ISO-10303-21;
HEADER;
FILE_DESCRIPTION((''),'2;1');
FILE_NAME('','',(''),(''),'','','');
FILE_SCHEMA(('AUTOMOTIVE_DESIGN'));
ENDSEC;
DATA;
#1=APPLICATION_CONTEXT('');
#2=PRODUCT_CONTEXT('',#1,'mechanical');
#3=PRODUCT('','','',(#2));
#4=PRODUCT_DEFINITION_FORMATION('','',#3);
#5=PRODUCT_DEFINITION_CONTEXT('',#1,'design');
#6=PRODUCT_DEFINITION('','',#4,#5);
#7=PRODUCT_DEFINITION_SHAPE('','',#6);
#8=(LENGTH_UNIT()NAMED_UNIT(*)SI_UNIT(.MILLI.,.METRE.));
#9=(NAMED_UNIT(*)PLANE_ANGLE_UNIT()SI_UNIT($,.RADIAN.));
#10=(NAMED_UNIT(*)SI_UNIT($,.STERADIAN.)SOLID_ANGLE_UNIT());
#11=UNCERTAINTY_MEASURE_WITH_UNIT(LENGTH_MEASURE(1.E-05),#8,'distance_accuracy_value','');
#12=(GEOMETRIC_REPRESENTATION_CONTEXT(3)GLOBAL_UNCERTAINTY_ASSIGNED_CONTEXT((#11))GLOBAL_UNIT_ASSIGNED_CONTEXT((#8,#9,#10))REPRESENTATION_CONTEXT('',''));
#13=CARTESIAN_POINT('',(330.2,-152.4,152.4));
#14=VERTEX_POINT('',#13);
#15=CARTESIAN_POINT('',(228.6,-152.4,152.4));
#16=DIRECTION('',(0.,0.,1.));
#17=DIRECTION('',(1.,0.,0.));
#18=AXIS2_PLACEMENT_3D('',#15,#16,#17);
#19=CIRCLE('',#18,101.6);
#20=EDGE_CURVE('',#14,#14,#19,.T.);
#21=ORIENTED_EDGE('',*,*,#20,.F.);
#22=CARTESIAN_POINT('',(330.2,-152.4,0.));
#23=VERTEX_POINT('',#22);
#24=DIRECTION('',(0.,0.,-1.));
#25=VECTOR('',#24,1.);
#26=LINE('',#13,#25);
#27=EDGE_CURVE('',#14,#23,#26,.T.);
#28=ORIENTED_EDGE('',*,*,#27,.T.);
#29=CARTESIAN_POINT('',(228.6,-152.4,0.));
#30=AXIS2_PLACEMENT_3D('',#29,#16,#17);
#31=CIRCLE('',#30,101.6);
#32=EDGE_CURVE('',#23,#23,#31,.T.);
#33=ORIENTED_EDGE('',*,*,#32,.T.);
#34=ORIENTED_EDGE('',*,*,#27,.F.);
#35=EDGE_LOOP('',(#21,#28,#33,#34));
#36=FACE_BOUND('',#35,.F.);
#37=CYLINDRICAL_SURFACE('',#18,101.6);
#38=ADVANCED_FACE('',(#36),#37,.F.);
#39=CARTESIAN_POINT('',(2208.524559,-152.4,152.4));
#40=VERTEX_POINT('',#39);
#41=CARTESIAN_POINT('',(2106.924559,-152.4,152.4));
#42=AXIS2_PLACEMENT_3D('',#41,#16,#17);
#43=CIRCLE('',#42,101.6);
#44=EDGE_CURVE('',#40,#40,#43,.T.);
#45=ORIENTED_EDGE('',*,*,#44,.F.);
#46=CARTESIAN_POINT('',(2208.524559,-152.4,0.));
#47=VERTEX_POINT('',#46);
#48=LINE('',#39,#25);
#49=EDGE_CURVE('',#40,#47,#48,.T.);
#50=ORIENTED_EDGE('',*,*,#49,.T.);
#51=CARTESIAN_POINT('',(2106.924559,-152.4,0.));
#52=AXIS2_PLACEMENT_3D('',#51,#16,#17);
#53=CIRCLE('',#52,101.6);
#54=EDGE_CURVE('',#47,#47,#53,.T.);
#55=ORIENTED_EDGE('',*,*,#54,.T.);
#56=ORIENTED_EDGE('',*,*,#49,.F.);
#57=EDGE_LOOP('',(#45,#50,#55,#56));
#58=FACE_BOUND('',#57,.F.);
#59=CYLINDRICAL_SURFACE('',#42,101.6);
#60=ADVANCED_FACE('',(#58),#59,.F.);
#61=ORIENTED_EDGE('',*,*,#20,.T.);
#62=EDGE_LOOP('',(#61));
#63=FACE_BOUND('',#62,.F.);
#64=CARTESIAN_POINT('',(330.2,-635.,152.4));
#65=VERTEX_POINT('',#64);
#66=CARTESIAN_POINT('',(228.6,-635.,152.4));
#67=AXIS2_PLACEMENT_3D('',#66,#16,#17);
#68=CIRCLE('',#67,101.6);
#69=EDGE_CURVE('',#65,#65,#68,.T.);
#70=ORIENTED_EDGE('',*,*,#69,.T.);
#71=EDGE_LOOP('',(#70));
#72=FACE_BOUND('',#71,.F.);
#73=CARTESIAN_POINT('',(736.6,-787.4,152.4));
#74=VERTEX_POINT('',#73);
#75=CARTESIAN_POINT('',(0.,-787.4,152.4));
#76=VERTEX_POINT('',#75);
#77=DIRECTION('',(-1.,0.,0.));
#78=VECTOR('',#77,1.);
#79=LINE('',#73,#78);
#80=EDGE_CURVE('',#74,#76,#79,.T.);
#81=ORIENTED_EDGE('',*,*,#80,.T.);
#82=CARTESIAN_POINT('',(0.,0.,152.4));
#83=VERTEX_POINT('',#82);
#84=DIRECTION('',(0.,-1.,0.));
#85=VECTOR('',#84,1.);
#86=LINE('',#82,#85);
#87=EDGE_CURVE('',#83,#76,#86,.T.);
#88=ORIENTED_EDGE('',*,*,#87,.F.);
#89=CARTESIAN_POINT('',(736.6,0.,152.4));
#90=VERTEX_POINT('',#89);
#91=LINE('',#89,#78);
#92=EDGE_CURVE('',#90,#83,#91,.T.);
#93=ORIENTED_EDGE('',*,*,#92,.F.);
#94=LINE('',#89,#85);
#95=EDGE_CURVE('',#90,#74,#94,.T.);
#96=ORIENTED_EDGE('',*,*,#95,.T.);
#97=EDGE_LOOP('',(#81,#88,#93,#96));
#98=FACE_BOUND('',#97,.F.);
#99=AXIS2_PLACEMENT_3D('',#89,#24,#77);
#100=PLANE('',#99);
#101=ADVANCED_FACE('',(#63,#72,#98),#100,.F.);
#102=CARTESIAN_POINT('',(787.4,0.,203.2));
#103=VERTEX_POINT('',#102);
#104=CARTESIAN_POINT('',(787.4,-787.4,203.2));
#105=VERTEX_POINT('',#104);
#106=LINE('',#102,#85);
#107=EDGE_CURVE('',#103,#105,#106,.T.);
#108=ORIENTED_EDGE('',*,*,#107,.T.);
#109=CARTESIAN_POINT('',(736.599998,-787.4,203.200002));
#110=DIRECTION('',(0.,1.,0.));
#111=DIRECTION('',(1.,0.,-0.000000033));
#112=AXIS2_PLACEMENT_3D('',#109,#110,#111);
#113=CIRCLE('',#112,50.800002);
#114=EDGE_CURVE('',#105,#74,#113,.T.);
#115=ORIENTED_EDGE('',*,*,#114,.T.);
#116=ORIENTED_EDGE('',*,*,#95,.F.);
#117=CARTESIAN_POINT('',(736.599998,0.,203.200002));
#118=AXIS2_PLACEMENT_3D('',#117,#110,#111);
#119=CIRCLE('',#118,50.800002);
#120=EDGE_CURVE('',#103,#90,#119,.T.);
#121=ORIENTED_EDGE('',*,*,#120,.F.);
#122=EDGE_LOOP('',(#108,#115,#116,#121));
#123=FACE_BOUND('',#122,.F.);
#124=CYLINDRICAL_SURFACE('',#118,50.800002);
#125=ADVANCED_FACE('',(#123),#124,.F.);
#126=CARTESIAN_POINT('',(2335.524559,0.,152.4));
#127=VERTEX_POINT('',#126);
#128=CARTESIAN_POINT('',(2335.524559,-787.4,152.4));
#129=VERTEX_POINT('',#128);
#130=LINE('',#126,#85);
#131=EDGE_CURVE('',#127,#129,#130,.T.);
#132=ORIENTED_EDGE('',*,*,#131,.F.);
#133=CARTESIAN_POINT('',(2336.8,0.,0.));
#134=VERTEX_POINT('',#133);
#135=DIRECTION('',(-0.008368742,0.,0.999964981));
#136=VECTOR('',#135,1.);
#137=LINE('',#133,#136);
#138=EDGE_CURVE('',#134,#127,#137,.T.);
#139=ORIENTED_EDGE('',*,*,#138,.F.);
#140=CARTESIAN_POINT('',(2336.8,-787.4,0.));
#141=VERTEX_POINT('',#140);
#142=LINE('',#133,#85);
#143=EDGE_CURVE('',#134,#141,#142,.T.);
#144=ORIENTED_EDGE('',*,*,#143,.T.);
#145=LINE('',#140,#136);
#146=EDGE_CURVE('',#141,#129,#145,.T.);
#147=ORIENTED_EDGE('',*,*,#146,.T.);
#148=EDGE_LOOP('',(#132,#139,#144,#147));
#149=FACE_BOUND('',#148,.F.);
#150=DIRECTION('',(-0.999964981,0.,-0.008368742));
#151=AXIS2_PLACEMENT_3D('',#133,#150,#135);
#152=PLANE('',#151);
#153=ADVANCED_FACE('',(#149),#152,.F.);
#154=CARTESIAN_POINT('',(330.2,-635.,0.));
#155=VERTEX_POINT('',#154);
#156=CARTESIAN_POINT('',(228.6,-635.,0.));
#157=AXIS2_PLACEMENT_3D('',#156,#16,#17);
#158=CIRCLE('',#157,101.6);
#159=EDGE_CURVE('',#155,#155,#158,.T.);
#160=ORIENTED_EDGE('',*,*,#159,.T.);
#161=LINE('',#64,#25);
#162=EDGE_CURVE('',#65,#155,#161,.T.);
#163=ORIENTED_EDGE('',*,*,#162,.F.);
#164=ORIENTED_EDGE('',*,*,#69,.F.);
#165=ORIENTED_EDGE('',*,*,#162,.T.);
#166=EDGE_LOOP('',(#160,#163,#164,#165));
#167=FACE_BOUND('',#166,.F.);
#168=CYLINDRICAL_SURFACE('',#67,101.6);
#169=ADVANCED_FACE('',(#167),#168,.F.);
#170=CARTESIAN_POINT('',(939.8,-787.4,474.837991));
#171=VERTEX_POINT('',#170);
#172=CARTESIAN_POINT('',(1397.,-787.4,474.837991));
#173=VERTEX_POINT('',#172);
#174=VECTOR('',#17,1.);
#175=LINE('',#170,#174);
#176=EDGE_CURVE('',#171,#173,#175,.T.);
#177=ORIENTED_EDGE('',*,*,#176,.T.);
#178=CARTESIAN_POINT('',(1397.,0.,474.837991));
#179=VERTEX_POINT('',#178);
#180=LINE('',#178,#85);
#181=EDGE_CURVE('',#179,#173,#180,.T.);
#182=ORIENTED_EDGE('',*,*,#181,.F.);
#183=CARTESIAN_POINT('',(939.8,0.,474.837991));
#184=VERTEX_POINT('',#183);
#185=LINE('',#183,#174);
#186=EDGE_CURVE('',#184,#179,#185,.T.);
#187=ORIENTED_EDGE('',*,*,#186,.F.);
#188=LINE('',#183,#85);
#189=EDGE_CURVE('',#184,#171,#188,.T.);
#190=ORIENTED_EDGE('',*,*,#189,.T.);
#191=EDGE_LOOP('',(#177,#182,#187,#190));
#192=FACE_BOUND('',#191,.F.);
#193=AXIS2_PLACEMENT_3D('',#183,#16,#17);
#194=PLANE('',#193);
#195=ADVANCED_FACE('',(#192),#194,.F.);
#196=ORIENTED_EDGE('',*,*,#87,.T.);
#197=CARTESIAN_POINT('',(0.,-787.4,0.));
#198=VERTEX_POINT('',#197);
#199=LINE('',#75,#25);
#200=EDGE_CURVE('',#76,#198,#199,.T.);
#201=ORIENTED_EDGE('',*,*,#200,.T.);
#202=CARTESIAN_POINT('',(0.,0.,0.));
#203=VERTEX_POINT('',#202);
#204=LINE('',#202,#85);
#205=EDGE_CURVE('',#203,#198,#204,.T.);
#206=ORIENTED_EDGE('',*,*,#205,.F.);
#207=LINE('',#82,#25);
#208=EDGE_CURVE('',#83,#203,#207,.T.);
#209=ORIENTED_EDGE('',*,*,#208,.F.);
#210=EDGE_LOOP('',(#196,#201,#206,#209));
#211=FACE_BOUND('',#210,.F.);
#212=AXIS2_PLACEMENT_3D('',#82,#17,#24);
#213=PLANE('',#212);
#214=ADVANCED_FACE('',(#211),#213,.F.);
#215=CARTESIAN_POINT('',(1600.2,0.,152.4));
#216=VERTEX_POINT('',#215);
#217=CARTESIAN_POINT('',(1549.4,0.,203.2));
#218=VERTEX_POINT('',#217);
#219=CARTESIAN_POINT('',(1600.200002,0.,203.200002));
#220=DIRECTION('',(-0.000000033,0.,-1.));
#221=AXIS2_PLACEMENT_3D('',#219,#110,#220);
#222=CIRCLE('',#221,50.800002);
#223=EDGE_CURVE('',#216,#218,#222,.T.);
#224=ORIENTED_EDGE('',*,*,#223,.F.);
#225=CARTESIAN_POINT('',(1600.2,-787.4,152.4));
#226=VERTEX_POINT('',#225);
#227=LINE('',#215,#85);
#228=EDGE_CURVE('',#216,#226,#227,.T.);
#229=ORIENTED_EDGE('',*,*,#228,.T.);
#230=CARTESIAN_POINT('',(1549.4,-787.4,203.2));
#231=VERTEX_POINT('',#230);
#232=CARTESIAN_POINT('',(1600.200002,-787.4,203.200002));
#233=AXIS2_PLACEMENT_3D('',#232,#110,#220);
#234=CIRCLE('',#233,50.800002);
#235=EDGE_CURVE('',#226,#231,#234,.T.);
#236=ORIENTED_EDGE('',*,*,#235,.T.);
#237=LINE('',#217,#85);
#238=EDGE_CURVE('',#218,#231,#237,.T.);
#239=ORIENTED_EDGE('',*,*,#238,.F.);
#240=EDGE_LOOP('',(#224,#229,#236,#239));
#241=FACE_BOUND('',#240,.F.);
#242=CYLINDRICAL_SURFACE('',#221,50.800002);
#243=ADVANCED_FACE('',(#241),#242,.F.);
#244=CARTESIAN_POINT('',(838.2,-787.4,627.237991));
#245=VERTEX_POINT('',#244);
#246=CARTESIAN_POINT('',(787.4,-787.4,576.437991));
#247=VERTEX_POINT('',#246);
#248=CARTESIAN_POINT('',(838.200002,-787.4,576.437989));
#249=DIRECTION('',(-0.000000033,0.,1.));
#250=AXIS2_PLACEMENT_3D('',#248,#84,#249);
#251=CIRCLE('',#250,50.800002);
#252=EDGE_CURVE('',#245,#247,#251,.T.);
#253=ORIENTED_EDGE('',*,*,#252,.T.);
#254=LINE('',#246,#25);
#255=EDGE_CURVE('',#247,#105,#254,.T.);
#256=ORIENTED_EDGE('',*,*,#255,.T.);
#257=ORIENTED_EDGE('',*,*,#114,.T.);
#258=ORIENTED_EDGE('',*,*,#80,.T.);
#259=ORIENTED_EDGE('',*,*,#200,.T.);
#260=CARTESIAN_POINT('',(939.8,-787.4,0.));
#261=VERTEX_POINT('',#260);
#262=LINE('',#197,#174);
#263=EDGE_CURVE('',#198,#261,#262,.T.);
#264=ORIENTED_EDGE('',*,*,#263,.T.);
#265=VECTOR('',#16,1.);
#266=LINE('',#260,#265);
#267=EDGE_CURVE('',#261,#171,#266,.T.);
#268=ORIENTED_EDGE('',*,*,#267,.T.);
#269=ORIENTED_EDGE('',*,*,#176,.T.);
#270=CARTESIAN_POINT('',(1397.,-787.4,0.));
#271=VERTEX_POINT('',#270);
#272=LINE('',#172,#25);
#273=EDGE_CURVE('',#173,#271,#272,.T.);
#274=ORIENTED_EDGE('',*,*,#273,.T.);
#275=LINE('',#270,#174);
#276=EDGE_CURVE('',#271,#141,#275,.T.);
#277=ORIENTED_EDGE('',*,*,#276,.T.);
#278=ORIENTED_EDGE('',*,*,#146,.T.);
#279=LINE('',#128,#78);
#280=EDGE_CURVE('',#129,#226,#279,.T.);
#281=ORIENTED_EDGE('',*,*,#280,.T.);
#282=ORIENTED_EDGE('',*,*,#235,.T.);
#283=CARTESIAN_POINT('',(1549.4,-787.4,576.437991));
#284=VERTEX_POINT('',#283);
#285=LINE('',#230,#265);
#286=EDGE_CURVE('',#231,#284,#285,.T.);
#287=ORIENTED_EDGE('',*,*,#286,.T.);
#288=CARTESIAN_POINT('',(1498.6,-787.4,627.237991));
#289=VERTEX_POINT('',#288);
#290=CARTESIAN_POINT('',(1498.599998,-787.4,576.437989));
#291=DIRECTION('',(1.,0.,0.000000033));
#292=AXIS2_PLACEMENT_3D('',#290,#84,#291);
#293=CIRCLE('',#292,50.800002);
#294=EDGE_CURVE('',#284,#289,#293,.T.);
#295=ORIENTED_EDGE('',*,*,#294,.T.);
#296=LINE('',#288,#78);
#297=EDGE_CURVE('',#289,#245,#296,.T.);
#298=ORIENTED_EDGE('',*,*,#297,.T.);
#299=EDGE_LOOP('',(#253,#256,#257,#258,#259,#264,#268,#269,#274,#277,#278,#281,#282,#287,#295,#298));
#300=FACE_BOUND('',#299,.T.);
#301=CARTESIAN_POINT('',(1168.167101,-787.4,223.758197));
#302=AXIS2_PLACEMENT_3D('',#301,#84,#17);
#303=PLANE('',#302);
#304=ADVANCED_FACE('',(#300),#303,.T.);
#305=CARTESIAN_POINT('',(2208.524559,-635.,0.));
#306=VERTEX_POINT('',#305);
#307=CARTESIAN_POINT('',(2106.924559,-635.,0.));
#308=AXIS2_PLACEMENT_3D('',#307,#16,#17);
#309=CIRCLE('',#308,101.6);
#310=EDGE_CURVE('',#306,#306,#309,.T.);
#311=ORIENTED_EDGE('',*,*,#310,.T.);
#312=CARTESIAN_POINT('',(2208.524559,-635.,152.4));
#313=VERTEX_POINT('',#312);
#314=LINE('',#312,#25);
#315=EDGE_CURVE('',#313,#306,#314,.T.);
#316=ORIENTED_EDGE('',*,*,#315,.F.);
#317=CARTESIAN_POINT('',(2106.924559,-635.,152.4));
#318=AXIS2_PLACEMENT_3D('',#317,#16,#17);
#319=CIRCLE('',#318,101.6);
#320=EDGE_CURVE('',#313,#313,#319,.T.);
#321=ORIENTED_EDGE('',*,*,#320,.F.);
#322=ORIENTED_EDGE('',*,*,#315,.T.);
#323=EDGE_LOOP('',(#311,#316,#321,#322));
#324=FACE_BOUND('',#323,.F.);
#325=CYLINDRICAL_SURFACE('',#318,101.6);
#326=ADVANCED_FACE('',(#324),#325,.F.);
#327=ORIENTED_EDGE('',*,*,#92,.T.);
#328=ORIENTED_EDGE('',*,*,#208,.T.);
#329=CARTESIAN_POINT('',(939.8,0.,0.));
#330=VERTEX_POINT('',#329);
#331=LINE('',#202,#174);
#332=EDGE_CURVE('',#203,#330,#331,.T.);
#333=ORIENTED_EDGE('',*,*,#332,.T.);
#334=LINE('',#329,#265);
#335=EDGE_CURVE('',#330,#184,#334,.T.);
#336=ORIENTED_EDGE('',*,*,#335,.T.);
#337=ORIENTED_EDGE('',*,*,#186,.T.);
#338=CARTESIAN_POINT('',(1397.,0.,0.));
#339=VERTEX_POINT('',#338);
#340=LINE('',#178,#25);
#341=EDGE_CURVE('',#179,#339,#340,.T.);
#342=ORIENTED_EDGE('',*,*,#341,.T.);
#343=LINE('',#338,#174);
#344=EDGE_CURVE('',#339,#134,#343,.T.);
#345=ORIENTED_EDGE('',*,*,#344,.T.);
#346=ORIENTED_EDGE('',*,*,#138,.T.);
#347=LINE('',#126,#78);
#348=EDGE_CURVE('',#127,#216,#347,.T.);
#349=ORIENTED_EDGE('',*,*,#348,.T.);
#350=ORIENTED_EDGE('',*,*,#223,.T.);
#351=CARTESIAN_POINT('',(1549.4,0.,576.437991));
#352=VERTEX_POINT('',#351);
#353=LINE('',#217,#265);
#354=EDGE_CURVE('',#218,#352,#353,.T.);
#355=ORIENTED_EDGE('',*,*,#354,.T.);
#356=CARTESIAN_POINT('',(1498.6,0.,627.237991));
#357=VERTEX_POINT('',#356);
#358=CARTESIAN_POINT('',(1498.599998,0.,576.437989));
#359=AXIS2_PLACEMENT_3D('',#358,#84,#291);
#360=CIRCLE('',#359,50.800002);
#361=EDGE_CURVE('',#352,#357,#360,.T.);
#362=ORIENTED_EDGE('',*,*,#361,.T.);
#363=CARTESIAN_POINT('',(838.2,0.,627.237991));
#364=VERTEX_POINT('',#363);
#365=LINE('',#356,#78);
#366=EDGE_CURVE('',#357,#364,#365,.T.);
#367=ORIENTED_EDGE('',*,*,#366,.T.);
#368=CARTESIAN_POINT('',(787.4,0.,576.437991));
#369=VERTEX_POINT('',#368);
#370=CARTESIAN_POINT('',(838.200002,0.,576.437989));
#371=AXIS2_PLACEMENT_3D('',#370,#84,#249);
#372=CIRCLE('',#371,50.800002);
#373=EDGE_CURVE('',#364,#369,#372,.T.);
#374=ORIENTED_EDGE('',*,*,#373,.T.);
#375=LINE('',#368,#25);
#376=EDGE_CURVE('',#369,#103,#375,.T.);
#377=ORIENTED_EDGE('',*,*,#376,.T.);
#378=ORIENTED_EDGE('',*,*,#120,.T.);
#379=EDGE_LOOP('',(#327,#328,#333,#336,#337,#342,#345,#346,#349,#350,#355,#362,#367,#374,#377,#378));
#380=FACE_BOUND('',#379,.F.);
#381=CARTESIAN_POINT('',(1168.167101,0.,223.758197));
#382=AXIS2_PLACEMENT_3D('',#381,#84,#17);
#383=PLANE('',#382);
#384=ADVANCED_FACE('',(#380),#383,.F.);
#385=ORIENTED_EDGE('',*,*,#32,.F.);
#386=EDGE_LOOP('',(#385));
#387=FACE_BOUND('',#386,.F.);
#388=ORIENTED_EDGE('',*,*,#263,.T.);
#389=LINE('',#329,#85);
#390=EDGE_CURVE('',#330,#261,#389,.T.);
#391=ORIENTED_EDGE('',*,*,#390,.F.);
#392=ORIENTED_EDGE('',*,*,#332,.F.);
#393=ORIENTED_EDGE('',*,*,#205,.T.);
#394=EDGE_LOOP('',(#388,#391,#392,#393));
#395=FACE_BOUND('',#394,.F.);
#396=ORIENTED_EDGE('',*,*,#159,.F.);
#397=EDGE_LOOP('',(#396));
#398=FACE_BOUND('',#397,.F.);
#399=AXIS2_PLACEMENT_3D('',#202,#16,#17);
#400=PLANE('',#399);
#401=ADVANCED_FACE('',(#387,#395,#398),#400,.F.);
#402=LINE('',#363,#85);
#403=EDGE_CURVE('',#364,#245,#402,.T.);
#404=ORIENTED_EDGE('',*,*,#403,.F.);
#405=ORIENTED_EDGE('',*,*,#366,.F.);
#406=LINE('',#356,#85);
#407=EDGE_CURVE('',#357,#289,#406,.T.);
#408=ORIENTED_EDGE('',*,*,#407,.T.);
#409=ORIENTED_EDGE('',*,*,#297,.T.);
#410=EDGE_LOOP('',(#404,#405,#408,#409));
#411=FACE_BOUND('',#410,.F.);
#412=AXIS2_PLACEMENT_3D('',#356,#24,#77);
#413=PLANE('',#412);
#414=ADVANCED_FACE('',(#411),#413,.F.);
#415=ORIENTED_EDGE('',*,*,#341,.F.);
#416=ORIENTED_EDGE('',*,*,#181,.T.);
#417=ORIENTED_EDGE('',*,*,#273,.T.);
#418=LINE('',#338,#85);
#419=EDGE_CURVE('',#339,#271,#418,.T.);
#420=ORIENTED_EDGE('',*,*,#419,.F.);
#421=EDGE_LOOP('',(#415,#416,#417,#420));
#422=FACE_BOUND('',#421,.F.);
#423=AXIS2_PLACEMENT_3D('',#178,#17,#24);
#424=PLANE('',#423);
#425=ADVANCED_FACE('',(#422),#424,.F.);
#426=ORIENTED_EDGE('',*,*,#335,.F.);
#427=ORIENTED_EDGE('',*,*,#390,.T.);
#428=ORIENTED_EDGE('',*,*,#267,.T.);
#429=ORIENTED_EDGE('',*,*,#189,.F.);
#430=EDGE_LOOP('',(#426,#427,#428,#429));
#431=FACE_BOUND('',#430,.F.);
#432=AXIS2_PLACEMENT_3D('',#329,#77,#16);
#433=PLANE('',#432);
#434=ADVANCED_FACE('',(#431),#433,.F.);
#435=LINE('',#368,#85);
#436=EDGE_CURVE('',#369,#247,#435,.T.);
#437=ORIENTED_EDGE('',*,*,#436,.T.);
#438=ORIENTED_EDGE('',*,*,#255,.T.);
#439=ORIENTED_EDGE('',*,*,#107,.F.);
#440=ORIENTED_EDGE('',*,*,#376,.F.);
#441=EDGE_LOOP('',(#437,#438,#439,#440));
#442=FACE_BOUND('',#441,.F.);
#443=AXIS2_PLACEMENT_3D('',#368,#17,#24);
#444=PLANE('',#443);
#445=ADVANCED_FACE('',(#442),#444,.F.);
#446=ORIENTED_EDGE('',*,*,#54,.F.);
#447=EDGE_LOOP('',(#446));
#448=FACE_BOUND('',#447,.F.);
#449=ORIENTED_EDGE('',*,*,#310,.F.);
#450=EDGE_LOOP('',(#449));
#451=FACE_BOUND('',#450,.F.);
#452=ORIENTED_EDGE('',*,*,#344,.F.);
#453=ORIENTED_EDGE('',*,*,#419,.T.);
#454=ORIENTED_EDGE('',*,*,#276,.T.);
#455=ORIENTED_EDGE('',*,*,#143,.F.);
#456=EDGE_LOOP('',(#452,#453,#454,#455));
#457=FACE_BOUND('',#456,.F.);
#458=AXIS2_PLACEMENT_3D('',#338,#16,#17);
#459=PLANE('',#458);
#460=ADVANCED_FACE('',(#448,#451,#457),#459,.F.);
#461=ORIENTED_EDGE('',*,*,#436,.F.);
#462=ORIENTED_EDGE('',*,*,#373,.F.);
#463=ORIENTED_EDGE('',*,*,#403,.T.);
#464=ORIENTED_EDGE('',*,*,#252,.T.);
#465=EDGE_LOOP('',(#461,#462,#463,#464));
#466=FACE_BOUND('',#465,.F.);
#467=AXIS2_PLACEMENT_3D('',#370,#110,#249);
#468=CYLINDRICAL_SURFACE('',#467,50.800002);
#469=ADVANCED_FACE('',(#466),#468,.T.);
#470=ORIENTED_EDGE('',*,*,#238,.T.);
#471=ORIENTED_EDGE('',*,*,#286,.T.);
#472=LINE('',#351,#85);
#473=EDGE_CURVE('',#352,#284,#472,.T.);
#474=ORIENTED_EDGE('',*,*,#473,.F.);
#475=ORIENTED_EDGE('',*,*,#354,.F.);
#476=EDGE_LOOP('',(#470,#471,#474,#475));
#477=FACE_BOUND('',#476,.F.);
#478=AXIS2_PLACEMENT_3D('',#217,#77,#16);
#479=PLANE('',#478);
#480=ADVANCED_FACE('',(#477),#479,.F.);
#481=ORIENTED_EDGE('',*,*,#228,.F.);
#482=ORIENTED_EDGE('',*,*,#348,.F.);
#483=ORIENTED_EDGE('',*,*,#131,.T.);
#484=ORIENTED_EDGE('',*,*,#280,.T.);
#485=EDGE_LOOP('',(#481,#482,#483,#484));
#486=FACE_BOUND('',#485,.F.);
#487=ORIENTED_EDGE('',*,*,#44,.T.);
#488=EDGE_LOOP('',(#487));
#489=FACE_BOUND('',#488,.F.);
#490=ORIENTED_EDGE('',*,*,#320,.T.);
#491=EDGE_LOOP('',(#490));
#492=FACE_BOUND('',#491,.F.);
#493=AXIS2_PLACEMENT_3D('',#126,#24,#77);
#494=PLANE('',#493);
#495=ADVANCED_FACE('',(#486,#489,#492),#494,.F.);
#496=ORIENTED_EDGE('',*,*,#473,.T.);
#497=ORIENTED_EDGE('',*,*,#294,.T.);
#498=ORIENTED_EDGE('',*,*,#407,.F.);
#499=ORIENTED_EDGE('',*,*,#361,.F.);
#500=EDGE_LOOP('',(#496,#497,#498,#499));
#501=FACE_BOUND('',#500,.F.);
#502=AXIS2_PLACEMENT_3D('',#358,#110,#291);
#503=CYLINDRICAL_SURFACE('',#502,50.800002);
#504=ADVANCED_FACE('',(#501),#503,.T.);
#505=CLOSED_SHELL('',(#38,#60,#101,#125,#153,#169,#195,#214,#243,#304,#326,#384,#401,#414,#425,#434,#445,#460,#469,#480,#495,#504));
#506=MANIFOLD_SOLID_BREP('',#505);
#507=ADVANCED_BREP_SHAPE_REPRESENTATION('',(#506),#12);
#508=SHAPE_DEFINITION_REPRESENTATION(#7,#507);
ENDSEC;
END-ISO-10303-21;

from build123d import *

# Parameters (mm, degrees)
F1_DEPTH = 787.4
F2_R     = 101.6
F3_DEPTH = 152.401


with BuildPart() as f1:
    # F0 (on Front) → F1 (new body)
    with BuildSketch(Plane.XZ):
        with BuildLine():
            Line((0, 152.4), (0, 0))
            Line((0, 0), (939.8, 0))
            Line((939.8, 0), (939.8, 474.837991))
            Line((939.8, 474.837991), (1397, 474.837991))
            Line((1397, 474.837991), (1397, 0))
            Line((1397, 0), (2336.8, 0))
            Line((2336.8, 0), (2335.524559, 152.4))
            Line((2335.524559, 152.4), (1600.2, 152.4))
            ThreePointArc((1600.2, 152.4), (1564.278976, 167.278976), (1549.4, 203.2))
            Line((1549.4, 203.2), (1549.4, 576.437991))
            ThreePointArc((1549.4, 576.437991), (1534.521024, 612.359015), (1498.6, 627.237991))
            Line((1498.6, 627.237991), (838.2, 627.237991))
            ThreePointArc((838.2, 627.237991), (802.278976, 612.359015), (787.4, 576.437991))
            Line((787.4, 576.437991), (787.4, 203.2))
            ThreePointArc((787.4, 203.2), (772.521024, 167.278976), (736.6, 152.4))
            Line((736.6, 152.4), (0, 152.4))
        make_face()
    extrude(amount=F1_DEPTH)

    # F2 (on face) → F3 (cut, through all)
    with BuildSketch(Plane.XY.offset(152.4)):
        with Locations((228.6, -635)):
            Circle(F2_R)
        with Locations((2106.924559, -152.4)):
            Circle(F2_R)
        with Locations((2106.924559, -635)):
            Circle(F2_R)
        with Locations((228.6, -152.4)):
            Circle(F2_R)
    extrude(amount=-F3_DEPTH, mode=Mode.SUBTRACT)


solid = f1.part
